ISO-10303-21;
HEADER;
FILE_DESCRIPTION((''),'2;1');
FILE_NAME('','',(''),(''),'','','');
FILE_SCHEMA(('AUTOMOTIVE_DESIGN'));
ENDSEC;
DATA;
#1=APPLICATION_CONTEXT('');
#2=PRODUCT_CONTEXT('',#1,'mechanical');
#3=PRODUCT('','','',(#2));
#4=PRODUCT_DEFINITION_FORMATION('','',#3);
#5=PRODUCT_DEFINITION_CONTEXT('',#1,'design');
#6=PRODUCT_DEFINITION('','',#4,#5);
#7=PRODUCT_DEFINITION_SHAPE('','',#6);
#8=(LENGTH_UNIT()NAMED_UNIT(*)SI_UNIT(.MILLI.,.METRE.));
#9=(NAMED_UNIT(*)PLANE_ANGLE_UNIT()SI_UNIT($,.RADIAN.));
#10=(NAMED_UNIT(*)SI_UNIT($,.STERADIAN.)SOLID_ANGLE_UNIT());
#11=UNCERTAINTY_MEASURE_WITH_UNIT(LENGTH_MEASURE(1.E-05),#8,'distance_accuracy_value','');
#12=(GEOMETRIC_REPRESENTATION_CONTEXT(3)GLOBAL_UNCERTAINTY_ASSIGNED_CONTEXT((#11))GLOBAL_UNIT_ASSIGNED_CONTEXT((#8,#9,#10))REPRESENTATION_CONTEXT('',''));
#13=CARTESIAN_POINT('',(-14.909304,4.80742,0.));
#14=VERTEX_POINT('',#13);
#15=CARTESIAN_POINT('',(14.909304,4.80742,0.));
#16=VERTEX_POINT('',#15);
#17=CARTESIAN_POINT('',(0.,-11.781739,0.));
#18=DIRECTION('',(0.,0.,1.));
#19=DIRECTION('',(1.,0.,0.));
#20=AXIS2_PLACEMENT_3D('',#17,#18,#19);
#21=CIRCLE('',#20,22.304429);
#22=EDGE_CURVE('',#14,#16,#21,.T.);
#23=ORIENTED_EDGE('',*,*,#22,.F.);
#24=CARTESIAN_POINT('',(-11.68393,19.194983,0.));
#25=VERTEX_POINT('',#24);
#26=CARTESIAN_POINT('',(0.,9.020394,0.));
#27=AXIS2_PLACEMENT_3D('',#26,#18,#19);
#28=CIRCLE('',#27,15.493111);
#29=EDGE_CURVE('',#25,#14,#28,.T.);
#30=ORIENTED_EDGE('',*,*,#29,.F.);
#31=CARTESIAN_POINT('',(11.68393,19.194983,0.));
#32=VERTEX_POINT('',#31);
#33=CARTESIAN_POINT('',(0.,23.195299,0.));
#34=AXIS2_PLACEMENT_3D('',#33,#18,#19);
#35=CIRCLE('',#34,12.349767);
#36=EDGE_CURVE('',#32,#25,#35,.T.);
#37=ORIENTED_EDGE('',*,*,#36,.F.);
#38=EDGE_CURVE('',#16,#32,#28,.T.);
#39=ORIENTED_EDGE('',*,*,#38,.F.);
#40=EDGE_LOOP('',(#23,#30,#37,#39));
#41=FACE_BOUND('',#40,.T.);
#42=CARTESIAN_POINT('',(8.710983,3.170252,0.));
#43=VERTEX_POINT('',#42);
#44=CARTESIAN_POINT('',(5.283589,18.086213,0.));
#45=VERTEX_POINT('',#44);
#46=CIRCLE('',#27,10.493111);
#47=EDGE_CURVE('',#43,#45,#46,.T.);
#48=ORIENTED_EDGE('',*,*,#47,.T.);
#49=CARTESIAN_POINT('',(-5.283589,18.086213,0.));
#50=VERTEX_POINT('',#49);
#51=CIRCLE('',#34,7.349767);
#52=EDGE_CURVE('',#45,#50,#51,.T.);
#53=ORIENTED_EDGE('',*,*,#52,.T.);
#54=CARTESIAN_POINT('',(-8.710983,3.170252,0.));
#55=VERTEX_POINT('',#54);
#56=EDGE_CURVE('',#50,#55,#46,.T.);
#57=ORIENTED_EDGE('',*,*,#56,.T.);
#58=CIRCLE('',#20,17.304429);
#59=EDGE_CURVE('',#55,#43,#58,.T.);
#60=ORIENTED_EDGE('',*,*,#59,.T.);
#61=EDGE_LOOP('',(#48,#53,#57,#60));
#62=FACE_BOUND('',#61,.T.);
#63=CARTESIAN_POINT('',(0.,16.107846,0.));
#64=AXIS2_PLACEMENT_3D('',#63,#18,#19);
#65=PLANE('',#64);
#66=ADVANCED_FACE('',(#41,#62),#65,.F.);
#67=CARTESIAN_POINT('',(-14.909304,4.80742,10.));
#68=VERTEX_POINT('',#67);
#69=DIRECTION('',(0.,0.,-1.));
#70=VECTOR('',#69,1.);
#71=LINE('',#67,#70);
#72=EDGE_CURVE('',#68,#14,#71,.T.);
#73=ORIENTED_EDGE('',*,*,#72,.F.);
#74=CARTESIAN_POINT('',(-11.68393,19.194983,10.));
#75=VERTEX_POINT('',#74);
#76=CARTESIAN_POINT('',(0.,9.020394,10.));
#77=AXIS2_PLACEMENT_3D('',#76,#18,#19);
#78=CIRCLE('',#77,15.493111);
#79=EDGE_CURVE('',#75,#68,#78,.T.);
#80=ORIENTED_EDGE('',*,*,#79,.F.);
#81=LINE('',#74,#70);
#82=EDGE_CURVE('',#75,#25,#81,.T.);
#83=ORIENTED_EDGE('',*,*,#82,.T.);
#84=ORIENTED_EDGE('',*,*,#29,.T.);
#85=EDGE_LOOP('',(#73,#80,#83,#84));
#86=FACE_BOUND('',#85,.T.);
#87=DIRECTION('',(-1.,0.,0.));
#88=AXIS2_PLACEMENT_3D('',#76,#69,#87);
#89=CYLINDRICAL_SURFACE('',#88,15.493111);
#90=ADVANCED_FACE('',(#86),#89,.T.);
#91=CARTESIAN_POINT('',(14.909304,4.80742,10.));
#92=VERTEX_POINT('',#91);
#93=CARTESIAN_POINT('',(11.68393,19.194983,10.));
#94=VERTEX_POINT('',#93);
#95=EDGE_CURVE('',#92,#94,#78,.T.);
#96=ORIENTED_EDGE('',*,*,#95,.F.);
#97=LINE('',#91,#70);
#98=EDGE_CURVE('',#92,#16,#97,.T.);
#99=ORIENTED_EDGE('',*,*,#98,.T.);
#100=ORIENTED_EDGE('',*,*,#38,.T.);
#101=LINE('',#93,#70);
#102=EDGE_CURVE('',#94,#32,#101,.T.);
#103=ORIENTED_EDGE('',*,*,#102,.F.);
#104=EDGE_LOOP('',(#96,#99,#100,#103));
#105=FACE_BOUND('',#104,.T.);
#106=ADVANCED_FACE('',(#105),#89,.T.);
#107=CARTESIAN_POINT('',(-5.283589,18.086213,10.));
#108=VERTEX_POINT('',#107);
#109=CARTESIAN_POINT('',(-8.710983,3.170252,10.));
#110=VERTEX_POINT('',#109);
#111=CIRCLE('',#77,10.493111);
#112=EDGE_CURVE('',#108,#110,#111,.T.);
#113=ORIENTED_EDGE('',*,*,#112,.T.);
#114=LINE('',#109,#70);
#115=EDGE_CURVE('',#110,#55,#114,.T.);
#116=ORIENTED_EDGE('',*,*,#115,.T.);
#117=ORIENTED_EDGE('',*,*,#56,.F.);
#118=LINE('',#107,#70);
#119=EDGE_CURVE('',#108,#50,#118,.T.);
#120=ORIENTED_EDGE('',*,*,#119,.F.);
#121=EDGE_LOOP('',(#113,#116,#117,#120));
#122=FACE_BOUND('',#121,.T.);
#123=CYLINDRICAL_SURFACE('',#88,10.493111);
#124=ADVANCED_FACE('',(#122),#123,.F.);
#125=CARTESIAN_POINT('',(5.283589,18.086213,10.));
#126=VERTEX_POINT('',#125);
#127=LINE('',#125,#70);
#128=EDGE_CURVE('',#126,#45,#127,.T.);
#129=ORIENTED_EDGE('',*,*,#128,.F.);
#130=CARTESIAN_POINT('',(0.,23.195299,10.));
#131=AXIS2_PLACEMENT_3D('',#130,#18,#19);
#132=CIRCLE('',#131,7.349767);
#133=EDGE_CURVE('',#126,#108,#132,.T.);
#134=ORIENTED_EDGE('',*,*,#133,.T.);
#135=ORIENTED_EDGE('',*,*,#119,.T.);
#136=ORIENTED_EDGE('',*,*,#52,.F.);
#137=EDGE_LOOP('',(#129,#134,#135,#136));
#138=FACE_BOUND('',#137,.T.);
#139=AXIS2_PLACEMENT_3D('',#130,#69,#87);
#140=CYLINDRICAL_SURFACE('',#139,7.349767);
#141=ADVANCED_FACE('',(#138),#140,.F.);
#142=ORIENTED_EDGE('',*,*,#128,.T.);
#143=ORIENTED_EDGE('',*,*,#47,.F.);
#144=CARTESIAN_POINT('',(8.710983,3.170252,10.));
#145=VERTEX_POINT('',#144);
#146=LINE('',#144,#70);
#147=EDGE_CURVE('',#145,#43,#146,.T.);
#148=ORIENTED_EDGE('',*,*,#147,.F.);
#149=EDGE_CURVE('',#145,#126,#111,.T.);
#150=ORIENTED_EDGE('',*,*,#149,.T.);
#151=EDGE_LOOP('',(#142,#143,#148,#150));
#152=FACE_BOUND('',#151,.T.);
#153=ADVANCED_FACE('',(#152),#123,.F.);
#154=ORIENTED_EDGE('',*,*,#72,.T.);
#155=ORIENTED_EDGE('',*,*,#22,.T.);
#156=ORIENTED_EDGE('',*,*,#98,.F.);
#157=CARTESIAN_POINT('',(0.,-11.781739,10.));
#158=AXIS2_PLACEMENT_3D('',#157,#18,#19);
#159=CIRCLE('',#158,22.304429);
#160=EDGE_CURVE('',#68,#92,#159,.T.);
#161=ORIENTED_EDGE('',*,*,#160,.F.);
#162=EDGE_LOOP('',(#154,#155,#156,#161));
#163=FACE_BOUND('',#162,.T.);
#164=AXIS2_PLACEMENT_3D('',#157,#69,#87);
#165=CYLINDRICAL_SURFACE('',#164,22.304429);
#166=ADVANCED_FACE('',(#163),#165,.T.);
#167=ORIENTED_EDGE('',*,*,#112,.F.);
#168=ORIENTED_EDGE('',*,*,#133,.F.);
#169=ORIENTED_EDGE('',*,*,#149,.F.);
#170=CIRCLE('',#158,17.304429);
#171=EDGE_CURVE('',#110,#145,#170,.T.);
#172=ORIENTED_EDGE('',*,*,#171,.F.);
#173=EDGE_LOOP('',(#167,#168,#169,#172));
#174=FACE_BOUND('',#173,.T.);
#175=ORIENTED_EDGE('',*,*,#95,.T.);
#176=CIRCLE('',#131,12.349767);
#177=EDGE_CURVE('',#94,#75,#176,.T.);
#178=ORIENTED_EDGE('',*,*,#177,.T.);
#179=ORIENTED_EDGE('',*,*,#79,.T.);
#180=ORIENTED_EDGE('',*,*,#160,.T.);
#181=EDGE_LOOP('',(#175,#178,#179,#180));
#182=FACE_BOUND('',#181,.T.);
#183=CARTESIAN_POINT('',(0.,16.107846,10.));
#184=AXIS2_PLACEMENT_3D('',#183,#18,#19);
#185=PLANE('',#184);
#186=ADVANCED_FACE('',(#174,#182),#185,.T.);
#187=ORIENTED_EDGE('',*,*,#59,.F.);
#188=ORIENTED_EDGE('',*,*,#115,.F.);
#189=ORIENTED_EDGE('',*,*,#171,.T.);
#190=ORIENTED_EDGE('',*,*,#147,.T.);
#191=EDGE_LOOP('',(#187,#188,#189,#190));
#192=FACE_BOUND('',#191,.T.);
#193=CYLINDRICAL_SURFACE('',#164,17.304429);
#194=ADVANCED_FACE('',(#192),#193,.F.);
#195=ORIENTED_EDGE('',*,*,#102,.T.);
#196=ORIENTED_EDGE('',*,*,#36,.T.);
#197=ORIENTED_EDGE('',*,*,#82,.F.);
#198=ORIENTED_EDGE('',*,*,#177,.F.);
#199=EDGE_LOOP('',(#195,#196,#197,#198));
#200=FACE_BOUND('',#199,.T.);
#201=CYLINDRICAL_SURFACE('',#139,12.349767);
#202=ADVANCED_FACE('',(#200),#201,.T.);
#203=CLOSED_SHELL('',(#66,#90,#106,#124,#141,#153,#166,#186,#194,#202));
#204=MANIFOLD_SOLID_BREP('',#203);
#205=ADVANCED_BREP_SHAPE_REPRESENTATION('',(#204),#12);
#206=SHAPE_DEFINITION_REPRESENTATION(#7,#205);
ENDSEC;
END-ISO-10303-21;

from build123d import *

# Parameters (mm, degrees)
BOSS_EXTRUDE1_DEPTH = 10


with BuildPart() as part:
    # Sketch1 → Boss-Extrude1 (new body)
    with BuildSketch(Plane.XY):
        with BuildLine():
            ThreePointArc((11.683930306, 19.194983415), (0, 35.545065903), (-11.683930306, 19.194983415))
            ThreePointArc((-11.683930306, 19.194983415), (-15.117887521, 12.409490467), (-14.909304212, 4.807420374))
            ThreePointArc((-14.909304212, 4.807420374), (0, -34.086168219), (14.909304212, 4.807420374))
            ThreePointArc((14.909304212, 4.807420374), (15.117887521, 12.409490467), (11.683930306, 19.194983415))
        make_face()
        with BuildLine():
            ThreePointArc((5.283589413, 18.086212607), (0, 30.545065903), (-5.283589413, 18.086212607))
            ThreePointArc((-5.283589413, 18.086212607), (-10.226606654, 11.370266597), (-8.710983133, 3.170252232))
            ThreePointArc((-8.710983133, 3.170252232), (0, -29.086168219), (8.710983133, 3.170252232))
            ThreePointArc((8.710983133, 3.170252232), (10.226606654, 11.370266597), (5.283589413, 18.086212607))
        make_face(mode=Mode.SUBTRACT)
    extrude(amount=BOSS_EXTRUDE1_DEPTH)


solid = part.part
